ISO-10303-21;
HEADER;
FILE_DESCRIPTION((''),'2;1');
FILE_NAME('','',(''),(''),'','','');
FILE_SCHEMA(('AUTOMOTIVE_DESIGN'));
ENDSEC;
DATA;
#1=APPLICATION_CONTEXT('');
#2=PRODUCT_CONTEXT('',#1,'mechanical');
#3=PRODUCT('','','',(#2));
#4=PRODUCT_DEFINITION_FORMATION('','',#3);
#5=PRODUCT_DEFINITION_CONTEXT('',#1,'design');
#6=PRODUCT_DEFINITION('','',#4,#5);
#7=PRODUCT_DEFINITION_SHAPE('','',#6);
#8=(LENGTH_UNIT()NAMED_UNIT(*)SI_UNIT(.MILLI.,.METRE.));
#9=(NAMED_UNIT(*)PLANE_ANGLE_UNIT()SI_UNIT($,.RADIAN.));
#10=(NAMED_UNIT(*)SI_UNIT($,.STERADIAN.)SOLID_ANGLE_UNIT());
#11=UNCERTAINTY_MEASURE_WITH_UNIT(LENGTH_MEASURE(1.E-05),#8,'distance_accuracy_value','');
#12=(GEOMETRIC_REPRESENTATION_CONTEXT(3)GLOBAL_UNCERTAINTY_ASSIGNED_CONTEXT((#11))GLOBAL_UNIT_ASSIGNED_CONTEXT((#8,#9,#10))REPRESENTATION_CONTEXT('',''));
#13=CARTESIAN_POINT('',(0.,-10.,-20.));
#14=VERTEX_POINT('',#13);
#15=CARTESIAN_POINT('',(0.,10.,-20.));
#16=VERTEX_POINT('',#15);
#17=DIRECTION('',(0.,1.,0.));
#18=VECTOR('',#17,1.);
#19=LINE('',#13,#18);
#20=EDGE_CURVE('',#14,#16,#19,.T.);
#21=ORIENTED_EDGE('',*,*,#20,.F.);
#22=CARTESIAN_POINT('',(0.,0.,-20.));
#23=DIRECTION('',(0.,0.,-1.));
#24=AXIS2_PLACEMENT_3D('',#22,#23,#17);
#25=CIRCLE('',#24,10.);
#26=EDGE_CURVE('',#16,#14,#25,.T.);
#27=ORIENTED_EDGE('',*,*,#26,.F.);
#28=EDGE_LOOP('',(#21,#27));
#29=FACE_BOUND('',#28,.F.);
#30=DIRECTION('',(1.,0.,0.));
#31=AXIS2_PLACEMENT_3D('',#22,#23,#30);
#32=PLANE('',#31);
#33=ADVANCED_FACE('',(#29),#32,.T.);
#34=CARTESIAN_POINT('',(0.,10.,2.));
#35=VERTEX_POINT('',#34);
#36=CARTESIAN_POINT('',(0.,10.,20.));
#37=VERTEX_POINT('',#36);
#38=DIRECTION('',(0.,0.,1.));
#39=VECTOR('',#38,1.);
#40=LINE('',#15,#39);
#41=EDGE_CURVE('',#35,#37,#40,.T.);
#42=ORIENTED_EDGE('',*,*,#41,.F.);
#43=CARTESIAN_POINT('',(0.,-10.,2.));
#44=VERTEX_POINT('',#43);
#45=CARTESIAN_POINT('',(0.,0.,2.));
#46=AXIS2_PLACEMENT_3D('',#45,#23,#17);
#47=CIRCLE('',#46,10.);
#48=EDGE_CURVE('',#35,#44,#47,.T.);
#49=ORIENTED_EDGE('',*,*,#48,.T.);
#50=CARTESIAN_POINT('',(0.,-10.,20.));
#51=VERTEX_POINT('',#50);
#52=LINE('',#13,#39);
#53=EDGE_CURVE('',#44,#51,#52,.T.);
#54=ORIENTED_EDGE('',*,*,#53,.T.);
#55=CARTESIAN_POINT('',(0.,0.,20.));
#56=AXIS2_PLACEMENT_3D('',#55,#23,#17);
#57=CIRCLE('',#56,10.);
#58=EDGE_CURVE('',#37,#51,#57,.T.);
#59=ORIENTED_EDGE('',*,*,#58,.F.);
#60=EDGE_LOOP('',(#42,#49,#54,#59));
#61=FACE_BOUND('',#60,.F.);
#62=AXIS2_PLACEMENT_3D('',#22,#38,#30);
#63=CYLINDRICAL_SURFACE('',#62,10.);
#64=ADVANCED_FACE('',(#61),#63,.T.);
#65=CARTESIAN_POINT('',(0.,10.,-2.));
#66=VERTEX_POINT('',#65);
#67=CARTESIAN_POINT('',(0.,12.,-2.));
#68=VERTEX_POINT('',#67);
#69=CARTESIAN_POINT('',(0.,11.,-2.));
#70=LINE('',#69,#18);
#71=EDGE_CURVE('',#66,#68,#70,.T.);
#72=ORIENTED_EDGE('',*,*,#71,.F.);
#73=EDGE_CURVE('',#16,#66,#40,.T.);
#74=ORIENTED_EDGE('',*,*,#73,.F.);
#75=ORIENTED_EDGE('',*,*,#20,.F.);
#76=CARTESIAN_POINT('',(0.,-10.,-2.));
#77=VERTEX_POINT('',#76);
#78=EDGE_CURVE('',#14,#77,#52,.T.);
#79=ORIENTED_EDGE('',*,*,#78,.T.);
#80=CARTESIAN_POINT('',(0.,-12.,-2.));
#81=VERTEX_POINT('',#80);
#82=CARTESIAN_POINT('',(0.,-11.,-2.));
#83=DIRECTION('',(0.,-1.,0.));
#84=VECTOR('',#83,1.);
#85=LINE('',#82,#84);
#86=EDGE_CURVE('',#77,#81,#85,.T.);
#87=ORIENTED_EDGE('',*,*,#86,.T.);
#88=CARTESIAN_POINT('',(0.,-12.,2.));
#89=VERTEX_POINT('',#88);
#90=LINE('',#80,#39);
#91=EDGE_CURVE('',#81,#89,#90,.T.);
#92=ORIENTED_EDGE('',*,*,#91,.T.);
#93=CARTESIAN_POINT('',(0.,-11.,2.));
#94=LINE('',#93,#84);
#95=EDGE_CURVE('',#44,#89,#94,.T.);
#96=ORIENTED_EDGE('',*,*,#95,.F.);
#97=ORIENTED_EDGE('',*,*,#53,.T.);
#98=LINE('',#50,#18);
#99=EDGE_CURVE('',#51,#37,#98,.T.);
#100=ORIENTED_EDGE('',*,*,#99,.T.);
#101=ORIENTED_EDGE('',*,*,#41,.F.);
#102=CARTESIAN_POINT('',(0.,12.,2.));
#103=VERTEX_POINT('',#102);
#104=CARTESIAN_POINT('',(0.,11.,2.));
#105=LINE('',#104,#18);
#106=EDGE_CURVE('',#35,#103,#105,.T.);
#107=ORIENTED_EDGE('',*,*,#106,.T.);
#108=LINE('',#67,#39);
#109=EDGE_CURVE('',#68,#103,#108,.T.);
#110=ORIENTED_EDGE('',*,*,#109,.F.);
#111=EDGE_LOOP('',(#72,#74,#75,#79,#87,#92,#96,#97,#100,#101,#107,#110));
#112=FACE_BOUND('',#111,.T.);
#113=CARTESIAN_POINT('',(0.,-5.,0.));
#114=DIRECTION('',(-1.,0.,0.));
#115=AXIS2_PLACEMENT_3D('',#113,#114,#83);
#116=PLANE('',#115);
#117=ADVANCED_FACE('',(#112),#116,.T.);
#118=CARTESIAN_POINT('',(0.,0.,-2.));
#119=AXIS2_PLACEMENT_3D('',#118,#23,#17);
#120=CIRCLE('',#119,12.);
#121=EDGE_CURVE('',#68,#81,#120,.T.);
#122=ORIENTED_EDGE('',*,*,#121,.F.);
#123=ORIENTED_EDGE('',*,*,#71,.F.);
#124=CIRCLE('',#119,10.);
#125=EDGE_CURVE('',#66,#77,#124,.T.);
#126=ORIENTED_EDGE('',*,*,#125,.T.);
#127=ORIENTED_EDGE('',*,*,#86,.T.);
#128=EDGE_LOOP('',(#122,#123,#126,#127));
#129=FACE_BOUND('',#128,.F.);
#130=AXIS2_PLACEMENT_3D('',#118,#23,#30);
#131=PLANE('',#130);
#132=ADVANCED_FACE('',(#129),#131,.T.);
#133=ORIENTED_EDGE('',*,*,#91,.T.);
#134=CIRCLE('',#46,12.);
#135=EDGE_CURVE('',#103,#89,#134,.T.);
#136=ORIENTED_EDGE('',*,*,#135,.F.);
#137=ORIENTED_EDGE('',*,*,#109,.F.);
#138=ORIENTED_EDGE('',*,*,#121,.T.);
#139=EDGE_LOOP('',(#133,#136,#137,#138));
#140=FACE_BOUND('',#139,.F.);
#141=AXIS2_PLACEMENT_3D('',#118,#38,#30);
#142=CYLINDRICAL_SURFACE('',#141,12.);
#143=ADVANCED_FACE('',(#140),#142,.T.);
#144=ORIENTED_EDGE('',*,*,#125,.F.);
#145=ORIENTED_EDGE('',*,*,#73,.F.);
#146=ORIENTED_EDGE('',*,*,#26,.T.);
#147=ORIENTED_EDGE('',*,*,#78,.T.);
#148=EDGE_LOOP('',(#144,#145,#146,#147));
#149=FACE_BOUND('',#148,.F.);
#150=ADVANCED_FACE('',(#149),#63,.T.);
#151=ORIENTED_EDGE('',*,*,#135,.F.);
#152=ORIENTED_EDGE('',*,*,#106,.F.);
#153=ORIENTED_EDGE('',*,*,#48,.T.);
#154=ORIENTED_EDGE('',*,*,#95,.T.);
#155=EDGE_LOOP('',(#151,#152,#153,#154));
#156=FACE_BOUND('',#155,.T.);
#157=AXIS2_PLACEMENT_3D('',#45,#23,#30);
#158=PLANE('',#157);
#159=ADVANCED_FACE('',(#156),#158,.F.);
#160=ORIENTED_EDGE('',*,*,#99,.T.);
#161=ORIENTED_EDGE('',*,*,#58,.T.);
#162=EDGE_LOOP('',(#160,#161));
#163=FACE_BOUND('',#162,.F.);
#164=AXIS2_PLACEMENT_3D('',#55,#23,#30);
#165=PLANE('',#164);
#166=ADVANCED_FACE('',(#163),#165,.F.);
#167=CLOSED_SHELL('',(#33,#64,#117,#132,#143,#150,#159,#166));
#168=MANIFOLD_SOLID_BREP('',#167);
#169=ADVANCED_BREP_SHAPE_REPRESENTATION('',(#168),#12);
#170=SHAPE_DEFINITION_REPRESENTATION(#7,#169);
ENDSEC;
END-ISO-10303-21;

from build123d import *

# Parameters (mm, degrees)
F0_W     = 2
F0_H     = 2
F1_ANGLE = 180


with BuildPart() as f1:
    # F0 (on Front) → F1 (revolve, symmetric)
    with BuildSketch(Plane.XZ) as f1_sk:
        Polygon((0, 20), (0, 0), (0, -20), (10, -20), (10, -2), (10, 0), (10, 2), (10, 20), align=None)
        with Locations((11, -1)):
            Rectangle(F0_W, F0_H)
        with Locations((11, 1)):
            Rectangle(F0_W, F0_H)
    revolve(axis=Axis((0, 0, 10), (0, 0, 1)), revolution_arc=F1_ANGLE / 2)
    revolve(f1_sk.sketch, axis=Axis((0, 0, 10), (0, 0, -1)), revolution_arc=F1_ANGLE / 2)


solid = f1.part
